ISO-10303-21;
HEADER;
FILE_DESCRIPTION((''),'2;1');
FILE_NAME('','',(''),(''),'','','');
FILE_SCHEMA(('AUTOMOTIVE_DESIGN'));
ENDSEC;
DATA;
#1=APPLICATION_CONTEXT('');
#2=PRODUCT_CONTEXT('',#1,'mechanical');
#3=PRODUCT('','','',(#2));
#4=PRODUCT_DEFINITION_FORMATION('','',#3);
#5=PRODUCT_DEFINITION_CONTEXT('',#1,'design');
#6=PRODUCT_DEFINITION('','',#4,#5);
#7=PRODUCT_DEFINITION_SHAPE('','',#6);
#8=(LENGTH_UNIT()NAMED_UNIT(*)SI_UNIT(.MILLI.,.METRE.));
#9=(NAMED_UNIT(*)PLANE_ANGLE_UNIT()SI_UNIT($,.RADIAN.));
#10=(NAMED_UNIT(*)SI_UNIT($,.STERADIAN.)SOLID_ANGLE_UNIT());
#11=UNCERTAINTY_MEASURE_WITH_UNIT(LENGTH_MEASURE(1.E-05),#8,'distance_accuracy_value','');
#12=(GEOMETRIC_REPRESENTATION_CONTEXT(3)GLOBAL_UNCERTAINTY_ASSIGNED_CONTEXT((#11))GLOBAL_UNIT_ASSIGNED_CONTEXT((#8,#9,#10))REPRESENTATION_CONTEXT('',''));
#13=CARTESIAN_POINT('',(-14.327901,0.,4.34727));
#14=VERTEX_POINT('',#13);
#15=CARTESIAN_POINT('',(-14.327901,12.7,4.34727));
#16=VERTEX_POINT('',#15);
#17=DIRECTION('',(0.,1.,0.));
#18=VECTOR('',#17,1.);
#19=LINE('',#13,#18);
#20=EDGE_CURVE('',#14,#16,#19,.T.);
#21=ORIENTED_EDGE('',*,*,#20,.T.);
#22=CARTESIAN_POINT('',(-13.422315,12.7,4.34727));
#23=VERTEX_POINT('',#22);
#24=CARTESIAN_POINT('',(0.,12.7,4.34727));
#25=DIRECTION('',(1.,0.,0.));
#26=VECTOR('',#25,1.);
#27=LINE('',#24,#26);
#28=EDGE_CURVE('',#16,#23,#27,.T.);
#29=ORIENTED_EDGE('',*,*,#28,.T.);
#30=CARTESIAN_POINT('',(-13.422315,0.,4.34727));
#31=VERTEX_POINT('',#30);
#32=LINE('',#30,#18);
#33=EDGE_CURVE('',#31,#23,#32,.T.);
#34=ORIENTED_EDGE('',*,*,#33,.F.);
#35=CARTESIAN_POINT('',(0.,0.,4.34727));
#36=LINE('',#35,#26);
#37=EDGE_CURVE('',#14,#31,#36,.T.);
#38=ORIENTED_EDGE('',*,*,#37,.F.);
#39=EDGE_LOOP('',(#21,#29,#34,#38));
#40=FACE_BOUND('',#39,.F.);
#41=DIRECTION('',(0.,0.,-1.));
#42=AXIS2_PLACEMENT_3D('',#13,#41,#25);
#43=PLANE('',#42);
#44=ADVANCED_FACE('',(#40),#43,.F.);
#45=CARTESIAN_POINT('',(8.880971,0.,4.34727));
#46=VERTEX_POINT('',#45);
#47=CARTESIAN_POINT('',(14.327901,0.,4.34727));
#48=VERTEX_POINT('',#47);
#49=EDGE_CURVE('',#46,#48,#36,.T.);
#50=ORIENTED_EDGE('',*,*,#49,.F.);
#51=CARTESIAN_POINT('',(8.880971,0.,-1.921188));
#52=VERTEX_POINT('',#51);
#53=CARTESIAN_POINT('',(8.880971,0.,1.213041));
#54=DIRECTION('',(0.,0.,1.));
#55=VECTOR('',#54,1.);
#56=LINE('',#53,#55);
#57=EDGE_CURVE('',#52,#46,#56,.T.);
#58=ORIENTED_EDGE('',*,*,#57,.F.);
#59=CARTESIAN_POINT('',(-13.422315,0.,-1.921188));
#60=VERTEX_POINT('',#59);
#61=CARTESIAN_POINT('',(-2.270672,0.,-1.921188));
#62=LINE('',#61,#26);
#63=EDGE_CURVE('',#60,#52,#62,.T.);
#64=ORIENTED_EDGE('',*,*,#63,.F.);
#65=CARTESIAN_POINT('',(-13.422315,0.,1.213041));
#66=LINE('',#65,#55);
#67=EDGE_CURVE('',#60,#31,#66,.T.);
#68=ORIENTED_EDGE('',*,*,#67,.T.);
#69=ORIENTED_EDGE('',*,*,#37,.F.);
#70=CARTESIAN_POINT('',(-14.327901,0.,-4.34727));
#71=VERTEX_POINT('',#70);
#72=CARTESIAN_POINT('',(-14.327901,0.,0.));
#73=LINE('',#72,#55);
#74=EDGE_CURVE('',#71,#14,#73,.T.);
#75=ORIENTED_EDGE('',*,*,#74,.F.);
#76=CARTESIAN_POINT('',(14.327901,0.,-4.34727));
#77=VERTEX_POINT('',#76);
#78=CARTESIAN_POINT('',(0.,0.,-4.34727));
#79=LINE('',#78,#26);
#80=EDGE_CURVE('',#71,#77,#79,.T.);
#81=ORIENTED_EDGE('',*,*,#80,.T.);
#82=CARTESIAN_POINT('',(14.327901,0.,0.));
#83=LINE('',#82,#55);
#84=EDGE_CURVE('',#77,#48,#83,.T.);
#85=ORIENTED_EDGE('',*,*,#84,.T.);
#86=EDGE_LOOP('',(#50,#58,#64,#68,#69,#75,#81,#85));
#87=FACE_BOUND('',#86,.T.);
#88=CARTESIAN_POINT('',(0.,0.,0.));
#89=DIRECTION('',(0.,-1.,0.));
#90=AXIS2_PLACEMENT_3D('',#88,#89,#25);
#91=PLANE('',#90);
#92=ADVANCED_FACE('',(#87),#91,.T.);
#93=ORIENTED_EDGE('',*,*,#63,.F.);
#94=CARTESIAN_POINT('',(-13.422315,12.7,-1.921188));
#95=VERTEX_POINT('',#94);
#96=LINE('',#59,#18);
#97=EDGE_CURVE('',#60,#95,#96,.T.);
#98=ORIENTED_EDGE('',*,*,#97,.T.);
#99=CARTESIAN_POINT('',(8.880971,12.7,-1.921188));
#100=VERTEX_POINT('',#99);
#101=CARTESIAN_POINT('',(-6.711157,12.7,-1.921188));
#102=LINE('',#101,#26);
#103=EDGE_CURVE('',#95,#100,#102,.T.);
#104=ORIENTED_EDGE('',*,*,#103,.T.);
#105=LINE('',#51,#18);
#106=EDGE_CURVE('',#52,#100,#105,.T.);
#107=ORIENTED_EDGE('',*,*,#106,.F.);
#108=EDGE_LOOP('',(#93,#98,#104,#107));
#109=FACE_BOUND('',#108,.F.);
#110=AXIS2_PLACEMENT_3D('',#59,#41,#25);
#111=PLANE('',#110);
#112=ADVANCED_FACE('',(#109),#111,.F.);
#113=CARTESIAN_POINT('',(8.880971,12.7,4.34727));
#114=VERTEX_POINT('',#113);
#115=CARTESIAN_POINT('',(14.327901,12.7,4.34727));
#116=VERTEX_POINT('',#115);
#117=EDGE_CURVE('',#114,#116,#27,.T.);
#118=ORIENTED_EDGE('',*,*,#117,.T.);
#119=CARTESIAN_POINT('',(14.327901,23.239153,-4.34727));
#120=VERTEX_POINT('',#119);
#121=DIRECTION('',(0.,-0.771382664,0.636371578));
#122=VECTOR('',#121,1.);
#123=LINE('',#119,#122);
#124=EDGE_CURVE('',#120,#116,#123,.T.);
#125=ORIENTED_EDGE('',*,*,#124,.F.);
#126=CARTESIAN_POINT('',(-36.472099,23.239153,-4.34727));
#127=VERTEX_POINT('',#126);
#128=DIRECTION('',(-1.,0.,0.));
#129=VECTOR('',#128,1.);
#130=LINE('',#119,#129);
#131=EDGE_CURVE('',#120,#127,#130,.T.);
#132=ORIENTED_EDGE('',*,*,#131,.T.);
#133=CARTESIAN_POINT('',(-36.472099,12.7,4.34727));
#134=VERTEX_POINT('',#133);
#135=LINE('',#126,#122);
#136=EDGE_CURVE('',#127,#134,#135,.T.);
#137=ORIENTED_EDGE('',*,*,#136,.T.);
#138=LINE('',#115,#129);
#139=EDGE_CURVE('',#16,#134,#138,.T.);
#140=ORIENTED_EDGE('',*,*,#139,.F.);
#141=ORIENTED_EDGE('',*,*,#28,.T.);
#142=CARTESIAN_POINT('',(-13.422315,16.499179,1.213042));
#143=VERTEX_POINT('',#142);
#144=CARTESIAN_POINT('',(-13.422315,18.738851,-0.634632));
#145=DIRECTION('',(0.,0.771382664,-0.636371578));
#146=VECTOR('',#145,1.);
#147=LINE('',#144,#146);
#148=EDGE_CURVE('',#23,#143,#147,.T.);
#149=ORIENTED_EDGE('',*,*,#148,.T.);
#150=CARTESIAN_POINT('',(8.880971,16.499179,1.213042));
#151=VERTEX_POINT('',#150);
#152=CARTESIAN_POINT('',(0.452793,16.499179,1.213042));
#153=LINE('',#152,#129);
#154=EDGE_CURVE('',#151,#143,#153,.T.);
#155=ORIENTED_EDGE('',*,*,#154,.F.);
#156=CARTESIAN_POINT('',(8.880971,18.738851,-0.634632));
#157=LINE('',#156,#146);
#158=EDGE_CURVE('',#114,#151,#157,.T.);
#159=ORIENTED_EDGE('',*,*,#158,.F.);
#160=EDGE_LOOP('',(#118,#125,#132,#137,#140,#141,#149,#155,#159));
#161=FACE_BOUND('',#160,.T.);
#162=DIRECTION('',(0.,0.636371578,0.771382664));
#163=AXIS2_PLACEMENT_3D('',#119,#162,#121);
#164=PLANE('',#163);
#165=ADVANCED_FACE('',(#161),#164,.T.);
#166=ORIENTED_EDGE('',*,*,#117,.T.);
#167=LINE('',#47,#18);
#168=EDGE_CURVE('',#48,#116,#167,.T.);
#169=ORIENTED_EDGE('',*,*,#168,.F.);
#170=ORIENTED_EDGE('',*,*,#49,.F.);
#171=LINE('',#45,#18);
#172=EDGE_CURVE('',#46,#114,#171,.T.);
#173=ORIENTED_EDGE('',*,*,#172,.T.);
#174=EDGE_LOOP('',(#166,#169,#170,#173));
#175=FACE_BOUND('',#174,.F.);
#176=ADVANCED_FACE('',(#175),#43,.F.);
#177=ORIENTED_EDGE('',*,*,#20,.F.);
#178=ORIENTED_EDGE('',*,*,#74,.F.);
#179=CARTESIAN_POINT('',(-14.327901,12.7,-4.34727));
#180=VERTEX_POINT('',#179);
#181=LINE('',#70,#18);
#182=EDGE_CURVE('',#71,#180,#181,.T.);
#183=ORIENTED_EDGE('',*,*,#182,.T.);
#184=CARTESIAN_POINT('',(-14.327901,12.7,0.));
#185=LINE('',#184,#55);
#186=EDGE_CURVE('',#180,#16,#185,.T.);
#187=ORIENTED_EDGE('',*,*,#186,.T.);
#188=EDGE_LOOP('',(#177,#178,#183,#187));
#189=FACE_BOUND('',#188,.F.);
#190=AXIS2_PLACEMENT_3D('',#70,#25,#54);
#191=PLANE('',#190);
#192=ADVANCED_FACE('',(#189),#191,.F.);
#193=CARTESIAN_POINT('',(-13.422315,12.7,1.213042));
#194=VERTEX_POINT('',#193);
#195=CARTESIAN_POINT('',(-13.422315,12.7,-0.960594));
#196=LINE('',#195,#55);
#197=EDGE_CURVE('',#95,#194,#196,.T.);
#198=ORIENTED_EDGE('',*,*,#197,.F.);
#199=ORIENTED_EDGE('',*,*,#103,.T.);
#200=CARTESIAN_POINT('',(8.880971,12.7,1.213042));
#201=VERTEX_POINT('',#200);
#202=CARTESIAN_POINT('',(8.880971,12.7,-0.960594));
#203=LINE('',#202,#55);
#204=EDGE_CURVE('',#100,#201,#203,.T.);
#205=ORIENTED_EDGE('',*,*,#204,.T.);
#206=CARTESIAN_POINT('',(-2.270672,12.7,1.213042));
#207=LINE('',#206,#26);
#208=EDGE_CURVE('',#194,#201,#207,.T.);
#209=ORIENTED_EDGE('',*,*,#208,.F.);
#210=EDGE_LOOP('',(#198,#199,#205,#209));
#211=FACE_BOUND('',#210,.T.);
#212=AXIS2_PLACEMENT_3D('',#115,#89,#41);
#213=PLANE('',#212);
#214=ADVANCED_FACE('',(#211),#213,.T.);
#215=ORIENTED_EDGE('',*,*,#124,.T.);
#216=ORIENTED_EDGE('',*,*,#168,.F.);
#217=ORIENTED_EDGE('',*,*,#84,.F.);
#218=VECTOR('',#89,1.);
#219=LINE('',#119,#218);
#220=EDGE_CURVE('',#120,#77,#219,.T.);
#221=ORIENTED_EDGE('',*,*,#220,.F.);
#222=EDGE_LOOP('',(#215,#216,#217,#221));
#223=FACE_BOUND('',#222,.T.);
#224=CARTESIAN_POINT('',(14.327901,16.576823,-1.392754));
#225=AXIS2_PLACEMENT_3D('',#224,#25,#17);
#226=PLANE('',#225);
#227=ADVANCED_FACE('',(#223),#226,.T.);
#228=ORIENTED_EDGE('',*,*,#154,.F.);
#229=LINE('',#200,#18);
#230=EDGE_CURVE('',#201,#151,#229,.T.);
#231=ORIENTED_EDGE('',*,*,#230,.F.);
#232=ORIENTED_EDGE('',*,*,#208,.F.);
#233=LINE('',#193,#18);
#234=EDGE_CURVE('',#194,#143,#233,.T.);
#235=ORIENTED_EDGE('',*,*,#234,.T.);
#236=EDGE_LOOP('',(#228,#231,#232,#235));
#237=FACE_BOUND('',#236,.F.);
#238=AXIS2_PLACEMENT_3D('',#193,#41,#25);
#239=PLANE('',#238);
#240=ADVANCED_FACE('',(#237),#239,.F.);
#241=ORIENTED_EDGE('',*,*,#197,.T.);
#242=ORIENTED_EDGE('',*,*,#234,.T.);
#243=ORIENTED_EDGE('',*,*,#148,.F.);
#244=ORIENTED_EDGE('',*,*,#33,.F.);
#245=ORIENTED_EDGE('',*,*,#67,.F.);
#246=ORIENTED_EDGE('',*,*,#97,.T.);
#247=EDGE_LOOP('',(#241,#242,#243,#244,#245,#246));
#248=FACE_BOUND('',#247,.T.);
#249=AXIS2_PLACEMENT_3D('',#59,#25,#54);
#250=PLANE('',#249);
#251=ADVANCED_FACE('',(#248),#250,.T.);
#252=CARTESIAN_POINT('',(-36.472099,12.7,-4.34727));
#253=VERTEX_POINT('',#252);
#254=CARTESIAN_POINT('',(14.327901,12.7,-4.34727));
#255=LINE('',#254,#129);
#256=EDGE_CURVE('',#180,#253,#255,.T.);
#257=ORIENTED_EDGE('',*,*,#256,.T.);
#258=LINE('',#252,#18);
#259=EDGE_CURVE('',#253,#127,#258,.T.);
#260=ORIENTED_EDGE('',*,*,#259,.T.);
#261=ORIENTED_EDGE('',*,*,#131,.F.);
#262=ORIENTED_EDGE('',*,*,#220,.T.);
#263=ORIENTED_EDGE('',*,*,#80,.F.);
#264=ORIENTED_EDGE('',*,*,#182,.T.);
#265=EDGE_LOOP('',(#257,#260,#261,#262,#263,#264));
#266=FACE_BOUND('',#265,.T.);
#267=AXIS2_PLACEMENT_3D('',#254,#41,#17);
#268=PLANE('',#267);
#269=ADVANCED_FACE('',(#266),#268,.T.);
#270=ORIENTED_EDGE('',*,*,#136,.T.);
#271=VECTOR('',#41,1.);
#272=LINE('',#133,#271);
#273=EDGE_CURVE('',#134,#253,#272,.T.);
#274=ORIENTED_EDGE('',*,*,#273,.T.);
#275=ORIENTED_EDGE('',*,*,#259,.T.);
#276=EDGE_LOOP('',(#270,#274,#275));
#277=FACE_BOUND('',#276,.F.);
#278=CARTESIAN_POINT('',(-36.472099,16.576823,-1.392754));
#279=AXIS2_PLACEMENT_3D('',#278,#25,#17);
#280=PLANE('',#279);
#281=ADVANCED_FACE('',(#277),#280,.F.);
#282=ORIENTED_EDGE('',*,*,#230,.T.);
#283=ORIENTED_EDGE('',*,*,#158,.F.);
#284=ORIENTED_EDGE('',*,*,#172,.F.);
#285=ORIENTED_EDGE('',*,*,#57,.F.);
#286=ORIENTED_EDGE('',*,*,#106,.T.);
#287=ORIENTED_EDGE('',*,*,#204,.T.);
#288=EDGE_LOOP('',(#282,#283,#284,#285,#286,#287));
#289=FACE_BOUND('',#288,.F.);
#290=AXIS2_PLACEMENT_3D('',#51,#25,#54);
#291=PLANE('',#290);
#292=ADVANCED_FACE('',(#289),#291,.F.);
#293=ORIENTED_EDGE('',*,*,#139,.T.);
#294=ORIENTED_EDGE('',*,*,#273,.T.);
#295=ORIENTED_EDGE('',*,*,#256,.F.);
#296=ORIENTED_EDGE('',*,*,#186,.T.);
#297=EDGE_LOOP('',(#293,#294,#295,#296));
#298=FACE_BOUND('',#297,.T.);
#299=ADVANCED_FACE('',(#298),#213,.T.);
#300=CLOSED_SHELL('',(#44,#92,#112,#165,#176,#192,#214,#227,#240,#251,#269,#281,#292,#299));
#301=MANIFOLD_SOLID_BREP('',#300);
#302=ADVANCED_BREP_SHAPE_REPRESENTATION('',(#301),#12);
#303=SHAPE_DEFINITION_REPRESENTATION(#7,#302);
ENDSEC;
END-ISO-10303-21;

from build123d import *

# Parameters (mm, degrees)
F0_W     = 28.655802
F0_H     = 8.69454
F1_DEPTH = 12.7
F2_W     = 22.303285
F2_H     = 6.268458
F3_DEPTH = 50.8
F5_DEPTH = 50.8
F6_W     = 22.303285
F6_H     = 3.134229
F7_DEPTH = 25.4


with BuildPart() as f1:
    # F0 (on Front) → F1 (new body)
    with BuildSketch(Plane.XZ):
        Rectangle(F0_W, F0_H)
    extrude(amount=-F1_DEPTH)

    # F2 (on face) → F3 (cut)
    with BuildSketch(Plane.XZ):
        with Locations((-2.270672, 1.213041)):
            Rectangle(F2_W, F2_H)
    extrude(amount=-F3_DEPTH, mode=Mode.SUBTRACT)

    # F4 (on face) → F5 (join)
    with BuildSketch(Plane.YZ.offset(14.327901)):
        Polygon((12.7, 4.34727), (12.7, -4.34727), (23.239153, -4.34727), align=None)
    extrude(amount=-F5_DEPTH)

    # F6 (on face) → F7 (cut)
    with BuildSketch(Plane.XZ.offset(-12.7)):
        with Locations((-2.270672, 2.780156)):
            Rectangle(F6_W, F6_H)
    extrude(amount=-F7_DEPTH, mode=Mode.SUBTRACT)


solid = f1.part
